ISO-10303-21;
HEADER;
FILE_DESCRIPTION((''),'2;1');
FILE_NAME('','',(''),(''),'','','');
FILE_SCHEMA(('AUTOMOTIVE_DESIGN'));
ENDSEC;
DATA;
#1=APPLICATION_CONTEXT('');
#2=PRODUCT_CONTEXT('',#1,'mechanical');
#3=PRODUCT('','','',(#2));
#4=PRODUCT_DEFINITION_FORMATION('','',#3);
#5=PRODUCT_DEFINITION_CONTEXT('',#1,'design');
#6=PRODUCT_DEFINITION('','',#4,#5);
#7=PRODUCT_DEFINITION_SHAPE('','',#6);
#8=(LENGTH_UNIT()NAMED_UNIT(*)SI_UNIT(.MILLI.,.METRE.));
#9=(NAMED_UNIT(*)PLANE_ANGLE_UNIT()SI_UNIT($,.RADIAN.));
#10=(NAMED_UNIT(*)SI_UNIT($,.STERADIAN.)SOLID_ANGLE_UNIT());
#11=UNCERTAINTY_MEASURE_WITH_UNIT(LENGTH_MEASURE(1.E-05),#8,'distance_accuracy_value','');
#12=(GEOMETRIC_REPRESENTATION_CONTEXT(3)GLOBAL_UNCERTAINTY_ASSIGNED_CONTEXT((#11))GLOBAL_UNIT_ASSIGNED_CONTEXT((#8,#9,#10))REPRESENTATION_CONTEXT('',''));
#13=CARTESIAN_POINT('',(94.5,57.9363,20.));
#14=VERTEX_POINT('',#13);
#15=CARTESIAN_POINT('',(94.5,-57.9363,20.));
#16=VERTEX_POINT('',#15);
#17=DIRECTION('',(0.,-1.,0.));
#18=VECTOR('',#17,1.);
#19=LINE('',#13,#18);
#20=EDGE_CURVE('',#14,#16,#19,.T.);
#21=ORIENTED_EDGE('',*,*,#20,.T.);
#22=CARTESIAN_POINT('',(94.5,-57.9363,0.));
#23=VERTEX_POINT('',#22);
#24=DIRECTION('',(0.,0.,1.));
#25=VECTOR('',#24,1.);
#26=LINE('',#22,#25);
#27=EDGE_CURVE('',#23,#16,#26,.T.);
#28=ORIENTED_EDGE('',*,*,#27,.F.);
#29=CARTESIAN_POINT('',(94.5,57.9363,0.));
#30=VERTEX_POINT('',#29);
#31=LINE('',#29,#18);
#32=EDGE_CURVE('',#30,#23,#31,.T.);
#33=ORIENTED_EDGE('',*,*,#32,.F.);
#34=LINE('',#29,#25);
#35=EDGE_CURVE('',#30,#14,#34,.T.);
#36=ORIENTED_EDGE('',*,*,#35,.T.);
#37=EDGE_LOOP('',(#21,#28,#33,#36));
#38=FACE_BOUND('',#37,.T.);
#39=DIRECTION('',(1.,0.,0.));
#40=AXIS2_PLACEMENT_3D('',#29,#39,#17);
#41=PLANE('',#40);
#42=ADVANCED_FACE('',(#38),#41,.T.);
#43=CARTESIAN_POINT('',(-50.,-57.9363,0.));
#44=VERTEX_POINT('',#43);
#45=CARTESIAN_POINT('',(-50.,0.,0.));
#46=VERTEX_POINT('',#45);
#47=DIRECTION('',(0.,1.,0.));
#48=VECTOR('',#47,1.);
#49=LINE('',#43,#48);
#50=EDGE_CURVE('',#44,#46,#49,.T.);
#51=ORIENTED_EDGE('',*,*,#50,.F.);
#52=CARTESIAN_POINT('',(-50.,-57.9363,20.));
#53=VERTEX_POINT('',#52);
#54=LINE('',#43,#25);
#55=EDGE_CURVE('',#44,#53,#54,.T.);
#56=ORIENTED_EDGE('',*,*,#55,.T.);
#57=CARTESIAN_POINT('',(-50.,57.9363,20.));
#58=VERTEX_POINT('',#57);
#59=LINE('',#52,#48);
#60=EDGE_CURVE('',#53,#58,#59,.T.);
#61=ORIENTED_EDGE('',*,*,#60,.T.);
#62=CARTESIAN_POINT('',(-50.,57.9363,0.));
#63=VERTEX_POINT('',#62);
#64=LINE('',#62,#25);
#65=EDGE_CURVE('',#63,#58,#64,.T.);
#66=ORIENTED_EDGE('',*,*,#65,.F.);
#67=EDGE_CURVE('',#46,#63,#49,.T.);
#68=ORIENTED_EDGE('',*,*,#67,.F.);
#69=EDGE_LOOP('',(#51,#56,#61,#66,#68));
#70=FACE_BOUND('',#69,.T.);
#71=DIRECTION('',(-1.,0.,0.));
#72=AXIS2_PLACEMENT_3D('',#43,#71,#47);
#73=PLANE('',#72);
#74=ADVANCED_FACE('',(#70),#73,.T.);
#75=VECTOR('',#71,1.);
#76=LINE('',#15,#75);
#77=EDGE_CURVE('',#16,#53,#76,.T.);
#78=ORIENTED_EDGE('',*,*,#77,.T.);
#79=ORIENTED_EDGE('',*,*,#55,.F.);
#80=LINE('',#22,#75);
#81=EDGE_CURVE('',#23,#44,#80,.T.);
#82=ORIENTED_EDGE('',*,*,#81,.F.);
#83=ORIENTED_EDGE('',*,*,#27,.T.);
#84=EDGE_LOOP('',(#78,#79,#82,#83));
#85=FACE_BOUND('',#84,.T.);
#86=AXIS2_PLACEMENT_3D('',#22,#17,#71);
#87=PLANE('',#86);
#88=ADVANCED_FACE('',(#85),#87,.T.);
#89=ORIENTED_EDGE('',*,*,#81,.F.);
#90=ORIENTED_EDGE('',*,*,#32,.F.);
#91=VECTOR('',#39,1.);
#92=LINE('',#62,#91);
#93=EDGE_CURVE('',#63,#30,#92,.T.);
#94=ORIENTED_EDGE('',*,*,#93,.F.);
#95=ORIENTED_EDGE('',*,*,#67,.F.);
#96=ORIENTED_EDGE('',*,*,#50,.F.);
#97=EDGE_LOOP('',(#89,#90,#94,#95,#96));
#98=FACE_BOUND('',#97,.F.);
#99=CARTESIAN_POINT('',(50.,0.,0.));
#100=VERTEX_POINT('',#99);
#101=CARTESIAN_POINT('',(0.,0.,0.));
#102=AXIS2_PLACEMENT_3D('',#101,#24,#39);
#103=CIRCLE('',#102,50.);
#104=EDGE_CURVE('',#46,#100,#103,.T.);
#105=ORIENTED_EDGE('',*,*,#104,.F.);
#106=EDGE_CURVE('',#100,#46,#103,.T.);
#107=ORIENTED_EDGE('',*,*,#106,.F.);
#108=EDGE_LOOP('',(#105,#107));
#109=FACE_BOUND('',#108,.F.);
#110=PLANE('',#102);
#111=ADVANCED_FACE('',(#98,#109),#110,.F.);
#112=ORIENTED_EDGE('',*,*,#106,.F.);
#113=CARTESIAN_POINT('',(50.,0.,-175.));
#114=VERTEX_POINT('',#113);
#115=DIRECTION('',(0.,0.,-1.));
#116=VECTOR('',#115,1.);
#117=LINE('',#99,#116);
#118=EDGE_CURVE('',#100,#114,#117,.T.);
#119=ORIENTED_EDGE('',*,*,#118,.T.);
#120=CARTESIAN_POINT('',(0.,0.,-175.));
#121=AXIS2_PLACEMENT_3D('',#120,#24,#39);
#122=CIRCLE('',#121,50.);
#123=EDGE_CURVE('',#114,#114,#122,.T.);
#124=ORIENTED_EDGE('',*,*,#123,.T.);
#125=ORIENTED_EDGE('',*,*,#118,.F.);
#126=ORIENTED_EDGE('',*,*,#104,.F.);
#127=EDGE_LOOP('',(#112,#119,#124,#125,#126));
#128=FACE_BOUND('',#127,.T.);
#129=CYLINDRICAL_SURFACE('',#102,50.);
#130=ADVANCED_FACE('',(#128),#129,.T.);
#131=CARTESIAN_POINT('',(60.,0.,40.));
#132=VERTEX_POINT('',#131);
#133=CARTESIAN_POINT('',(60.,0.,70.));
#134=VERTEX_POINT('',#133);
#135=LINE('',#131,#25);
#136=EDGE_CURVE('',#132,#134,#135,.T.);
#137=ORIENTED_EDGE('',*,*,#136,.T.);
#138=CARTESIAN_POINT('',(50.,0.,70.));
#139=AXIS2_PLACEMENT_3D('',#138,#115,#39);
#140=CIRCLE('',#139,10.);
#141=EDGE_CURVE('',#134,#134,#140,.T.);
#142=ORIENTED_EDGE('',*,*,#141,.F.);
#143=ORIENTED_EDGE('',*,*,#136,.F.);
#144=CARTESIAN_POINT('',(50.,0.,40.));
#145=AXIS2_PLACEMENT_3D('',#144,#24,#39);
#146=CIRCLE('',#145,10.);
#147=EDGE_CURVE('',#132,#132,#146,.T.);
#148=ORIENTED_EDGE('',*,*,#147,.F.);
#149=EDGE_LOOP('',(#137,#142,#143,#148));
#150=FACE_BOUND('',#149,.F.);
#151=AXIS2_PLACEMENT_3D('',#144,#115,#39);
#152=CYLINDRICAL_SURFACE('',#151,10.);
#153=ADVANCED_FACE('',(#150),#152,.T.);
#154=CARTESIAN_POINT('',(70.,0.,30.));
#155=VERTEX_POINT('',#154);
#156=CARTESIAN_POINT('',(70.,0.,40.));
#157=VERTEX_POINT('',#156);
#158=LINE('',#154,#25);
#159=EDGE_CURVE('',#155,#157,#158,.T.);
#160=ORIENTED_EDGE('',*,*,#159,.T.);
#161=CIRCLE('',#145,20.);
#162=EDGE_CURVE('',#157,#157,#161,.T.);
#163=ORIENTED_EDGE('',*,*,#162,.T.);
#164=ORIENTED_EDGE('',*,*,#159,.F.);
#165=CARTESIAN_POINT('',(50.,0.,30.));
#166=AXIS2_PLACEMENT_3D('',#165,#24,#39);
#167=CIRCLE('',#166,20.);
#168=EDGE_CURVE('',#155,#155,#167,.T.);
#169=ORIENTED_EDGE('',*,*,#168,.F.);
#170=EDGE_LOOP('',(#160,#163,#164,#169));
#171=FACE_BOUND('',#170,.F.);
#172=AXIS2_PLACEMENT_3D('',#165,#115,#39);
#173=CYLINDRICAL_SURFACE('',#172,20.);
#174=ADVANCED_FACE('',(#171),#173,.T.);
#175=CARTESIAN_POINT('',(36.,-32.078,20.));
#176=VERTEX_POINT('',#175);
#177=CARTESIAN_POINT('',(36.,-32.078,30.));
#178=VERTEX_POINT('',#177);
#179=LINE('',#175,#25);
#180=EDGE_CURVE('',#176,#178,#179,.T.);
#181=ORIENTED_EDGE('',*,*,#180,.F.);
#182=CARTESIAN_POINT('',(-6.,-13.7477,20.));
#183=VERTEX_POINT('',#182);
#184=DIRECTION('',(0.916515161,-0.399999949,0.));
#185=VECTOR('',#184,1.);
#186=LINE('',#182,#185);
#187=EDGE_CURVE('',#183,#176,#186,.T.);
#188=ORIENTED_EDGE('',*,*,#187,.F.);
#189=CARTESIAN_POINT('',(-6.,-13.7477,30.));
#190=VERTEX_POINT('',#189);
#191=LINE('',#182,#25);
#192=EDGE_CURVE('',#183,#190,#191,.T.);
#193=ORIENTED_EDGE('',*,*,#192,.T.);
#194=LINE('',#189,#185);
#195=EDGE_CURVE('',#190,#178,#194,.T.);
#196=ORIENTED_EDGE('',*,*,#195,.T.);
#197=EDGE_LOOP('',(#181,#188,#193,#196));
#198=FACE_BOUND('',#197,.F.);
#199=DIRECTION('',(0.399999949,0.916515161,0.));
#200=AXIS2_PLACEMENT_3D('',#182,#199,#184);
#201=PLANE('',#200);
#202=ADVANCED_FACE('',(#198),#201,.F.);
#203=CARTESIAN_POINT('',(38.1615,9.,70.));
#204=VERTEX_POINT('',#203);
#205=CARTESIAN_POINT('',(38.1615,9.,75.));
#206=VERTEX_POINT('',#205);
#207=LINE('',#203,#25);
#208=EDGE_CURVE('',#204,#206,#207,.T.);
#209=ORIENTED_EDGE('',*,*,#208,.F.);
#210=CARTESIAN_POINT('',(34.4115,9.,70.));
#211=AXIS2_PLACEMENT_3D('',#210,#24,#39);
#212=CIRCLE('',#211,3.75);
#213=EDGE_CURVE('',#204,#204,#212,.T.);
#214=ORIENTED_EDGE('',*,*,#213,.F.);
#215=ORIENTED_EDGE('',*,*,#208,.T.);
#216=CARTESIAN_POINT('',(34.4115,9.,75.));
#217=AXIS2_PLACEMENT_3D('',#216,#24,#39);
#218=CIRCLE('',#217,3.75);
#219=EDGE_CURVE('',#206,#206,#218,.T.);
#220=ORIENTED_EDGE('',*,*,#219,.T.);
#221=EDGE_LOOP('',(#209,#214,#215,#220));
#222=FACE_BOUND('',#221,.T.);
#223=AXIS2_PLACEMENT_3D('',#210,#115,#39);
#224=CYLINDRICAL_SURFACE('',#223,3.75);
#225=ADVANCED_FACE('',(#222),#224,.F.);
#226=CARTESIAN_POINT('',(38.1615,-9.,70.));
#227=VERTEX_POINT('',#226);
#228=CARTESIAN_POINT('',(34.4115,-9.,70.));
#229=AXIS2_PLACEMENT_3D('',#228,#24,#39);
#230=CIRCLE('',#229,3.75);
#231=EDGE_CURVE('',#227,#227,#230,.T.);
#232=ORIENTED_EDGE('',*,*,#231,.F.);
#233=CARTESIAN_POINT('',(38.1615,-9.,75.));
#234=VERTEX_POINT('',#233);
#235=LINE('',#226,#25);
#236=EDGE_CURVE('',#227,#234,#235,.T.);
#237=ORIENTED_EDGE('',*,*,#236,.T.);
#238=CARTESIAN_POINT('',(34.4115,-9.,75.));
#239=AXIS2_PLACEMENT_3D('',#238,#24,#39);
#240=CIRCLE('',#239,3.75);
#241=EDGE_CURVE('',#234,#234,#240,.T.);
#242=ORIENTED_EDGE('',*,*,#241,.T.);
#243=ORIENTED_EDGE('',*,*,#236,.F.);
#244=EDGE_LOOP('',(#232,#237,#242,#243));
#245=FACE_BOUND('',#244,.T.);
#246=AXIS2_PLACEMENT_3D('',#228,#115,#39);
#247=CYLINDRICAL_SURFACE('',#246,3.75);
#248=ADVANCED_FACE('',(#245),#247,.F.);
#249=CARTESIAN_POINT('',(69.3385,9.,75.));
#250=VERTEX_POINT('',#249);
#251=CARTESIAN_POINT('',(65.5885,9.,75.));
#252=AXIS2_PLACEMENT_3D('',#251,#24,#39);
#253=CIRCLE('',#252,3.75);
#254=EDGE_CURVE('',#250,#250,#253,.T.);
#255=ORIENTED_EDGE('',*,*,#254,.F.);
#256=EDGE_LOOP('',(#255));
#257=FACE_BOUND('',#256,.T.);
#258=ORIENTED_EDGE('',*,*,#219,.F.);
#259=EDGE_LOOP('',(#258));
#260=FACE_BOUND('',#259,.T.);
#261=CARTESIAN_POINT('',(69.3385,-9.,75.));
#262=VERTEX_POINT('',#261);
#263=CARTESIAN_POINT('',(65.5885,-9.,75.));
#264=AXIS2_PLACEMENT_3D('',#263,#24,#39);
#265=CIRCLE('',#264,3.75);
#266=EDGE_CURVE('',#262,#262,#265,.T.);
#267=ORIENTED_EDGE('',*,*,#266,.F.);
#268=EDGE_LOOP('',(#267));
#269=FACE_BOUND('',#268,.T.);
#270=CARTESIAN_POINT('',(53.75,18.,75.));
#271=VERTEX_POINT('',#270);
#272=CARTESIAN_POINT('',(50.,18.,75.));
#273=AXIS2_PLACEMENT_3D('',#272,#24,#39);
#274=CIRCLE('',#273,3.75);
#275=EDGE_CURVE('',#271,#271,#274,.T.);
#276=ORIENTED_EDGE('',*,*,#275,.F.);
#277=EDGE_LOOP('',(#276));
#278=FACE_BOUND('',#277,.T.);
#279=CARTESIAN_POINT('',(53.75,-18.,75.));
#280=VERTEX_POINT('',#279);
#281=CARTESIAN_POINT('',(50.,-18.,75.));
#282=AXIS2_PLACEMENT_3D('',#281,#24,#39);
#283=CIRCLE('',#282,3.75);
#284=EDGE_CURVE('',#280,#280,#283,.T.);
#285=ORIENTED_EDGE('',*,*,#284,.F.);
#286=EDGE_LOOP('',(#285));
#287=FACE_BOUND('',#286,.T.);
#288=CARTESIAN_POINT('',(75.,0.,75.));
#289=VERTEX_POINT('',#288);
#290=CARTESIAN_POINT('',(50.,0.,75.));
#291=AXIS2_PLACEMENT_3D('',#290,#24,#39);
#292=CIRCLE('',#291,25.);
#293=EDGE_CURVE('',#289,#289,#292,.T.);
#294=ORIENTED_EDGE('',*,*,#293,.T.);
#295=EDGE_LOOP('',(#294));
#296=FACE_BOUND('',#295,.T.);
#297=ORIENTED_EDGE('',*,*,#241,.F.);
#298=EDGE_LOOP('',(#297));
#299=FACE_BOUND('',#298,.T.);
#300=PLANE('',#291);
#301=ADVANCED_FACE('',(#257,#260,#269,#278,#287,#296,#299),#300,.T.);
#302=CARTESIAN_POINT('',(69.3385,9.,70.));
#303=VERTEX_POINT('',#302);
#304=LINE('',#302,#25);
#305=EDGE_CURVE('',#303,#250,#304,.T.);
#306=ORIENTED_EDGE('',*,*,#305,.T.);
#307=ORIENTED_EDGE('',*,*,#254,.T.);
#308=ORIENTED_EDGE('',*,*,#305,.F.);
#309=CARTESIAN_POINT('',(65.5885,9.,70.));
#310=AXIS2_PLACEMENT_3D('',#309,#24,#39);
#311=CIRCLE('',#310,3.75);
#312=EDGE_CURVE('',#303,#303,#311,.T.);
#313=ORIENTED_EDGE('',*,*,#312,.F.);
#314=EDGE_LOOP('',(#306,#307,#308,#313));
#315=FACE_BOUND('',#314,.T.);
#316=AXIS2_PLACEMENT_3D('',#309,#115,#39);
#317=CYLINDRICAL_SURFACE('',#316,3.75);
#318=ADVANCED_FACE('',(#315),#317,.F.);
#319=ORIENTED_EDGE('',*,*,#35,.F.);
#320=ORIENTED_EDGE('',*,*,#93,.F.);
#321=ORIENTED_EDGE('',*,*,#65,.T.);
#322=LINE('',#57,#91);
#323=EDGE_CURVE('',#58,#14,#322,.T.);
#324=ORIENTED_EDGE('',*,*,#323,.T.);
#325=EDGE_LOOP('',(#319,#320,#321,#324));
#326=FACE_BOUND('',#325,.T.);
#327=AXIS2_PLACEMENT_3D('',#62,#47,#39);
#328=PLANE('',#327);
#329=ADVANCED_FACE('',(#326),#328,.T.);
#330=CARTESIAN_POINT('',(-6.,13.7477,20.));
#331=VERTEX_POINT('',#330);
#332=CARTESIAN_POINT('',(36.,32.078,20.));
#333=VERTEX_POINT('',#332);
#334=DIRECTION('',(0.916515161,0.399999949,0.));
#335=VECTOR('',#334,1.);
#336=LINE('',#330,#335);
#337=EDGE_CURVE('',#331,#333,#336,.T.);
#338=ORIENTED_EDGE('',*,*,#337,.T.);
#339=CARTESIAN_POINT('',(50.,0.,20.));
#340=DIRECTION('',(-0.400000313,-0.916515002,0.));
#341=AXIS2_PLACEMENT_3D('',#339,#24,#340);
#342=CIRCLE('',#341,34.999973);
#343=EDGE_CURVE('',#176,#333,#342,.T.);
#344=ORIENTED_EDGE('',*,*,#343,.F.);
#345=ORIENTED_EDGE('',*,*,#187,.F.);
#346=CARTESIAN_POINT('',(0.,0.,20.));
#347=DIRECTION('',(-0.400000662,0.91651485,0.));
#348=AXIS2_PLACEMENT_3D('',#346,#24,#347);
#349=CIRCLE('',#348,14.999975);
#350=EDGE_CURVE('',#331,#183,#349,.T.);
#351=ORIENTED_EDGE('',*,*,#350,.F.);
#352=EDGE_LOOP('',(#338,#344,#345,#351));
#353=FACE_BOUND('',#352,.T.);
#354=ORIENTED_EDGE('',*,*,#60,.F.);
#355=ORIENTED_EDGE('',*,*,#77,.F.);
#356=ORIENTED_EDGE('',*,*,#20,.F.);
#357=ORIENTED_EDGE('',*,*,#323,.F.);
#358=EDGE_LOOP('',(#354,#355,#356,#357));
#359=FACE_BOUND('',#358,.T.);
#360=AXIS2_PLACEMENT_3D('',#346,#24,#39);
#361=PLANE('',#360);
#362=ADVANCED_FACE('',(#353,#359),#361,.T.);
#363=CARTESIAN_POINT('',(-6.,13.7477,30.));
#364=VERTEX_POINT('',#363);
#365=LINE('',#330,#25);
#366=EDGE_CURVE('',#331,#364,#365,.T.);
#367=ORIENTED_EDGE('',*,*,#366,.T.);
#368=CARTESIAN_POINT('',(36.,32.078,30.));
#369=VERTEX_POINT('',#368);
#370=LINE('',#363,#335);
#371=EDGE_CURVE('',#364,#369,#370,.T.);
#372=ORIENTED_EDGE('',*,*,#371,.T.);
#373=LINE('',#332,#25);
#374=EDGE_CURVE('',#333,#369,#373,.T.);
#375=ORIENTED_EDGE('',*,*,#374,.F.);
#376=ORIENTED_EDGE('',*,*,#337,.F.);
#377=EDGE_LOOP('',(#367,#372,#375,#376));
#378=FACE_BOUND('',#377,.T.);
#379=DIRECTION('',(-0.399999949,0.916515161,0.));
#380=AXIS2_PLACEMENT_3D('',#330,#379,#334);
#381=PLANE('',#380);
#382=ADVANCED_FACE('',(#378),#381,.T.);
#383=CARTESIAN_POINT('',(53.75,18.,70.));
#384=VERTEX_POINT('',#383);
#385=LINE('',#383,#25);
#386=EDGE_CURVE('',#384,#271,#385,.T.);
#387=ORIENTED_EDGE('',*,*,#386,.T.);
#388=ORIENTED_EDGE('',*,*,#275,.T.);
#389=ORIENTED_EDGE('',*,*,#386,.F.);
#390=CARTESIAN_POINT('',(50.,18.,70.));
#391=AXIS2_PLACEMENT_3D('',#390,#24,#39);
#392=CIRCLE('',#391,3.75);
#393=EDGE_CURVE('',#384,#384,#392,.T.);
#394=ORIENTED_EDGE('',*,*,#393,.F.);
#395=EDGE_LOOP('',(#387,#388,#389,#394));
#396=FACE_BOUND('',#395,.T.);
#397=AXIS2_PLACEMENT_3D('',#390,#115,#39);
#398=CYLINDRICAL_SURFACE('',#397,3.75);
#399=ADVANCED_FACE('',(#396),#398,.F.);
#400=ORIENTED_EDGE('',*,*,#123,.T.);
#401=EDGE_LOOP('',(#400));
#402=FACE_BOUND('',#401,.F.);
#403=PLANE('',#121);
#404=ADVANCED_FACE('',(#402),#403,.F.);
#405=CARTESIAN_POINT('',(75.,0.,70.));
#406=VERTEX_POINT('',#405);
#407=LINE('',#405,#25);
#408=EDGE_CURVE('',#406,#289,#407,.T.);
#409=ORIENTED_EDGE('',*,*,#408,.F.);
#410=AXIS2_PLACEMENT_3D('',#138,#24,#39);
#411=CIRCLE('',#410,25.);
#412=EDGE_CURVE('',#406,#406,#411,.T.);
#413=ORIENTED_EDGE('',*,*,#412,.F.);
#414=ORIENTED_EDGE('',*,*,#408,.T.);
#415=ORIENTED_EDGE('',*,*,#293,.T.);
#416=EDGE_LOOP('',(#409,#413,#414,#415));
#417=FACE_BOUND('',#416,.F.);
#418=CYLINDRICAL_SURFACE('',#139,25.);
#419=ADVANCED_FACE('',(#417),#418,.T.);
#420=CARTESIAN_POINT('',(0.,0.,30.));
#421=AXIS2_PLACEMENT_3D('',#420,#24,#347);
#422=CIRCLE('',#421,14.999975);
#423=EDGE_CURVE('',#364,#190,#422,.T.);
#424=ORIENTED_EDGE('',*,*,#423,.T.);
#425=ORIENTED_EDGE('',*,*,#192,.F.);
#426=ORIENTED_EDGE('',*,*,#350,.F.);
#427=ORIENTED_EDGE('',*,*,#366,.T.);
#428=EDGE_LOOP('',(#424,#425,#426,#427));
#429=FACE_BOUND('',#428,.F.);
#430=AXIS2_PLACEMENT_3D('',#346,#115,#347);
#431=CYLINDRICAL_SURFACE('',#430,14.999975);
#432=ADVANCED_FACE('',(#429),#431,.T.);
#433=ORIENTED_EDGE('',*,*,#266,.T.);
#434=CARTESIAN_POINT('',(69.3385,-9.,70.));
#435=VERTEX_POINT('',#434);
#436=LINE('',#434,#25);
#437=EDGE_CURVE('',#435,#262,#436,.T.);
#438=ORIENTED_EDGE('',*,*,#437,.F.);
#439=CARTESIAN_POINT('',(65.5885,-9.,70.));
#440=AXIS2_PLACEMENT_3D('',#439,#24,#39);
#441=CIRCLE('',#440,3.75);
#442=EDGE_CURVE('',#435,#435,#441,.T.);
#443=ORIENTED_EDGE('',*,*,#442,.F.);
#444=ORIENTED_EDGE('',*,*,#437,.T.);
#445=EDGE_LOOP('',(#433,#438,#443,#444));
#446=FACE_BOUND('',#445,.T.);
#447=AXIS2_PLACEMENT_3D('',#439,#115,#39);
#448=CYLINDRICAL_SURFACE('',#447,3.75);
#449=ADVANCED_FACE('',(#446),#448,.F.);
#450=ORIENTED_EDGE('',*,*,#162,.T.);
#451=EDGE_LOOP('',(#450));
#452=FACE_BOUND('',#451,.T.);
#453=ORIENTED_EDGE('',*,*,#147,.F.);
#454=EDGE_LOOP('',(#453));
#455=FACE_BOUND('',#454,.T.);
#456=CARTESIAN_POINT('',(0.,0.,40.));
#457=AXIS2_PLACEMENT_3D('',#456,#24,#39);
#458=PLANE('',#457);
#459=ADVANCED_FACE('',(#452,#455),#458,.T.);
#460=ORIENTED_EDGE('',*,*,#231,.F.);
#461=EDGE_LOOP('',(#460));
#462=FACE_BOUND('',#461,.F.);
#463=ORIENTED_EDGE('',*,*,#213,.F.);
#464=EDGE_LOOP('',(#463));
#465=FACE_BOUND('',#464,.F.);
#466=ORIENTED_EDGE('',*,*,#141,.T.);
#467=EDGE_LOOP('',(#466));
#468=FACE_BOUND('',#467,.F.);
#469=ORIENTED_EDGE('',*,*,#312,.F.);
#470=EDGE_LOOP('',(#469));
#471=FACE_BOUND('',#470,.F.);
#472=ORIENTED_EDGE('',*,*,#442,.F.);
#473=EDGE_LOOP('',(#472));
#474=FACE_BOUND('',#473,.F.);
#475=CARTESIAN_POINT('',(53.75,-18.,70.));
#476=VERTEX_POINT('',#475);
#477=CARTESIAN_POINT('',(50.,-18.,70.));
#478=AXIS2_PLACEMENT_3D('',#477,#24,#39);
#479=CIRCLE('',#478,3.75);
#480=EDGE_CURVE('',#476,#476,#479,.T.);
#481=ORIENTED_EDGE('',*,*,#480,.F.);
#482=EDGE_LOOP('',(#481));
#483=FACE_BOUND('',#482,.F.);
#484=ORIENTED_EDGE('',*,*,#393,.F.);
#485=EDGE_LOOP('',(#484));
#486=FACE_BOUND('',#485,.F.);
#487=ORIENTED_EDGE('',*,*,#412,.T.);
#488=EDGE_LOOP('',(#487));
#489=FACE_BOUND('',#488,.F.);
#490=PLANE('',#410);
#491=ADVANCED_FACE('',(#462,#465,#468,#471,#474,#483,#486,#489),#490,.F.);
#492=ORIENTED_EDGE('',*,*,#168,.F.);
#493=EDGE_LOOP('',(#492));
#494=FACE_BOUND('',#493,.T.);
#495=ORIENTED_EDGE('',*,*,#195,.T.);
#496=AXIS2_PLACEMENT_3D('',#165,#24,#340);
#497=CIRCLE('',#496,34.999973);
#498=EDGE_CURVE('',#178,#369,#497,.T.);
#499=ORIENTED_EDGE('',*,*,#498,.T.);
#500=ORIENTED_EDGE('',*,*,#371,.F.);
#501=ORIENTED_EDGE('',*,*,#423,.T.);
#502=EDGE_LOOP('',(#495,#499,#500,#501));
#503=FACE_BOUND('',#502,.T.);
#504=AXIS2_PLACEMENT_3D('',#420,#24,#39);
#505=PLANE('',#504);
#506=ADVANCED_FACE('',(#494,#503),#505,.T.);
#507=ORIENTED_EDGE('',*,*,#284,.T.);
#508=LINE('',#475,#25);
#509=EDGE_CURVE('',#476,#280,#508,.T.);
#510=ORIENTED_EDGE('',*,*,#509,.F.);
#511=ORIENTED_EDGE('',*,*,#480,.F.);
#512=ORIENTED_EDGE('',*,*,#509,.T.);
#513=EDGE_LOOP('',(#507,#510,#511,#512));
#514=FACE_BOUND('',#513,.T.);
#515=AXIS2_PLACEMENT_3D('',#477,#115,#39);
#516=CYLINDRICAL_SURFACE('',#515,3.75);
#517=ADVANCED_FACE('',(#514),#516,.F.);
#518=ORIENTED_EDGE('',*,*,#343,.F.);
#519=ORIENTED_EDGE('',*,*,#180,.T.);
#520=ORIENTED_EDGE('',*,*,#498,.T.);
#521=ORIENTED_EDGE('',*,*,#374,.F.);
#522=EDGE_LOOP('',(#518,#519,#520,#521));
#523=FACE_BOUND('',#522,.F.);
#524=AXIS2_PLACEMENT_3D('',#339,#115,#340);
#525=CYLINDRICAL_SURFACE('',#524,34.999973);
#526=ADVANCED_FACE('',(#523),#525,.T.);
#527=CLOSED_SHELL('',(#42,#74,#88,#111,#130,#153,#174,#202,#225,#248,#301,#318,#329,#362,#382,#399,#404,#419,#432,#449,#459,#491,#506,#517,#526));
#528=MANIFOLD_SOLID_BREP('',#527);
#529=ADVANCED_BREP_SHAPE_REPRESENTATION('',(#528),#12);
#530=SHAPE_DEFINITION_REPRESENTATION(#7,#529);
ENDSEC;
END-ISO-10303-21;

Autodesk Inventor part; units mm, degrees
ref_plane "YZ Plane" through (0, 0, 0) normal (1, 0, 0) x (0, 1, 0)
ref_plane "XZ Plane" through (0, 0, 0) normal (0, 1, 0) x (-1, 0, 0)
ref_plane "XY Plane" through (0, 0, 0) normal (0, 0, 1) x (1, 0, 0)
sketch "Sketch1" plane through (0, 0, 0) normal (0, 0, 1) x (1, 0, 0)
  circle A0 centre (0, 0) radius 50
  dimension "d0" = 100
extrude "Extrusion1" add sketch "Sketch1" against normal blind 175
sketch "Sketch2" plane through (0, 0, 0) normal (0, 0, 1) x (1, 0, 0)
  line L0 (94.5, 57.9363) -> (94.5, -57.9363)
  line L1 (94.5, -57.9363) -> (-50, -57.9363)
  line L2 (-50, -57.9363) -> (-50, 57.9363)
  line L3 (-50, 57.9363) -> (94.5, 57.9363)
  circle A0 centre (0, 0) radius 50 projected
  point P0 (94.5, 0)
  dimension "d3" = 144.5
  dimension "d4" = 115.8726
extrude "Extrusion2" add sketch "Sketch2" along normal blind 20 contours A0 | L0 L1 L2 L3
sketch "Sketch3" plane through (0, 0, 20) normal (0, 0, 1) x (1, 0, 0)
  arc A0 (-6, 13.7477) -> (-6, -13.7477) centre (0, 0) ccw
  arc A1 (36, -32.078) -> (36, 32.078) centre (50, 0) ccw
  line L0 (-6, 13.7477) -> (36, 32.078)
  line L1 (-6, -13.7477) -> (36, -32.078)
  dimension "d8" = 30
  dimension "d9" = 70
extrude "Extrusion3" add sketch "Sketch3" along normal blind 10
sketch "Sketch4" plane through (0, 0, 30) normal (0, 0, 1) x (1, 0, 0)
  arc A0 (36, -32.078) -> (36, 32.078) centre (50, 0) ccw projected
  circle A1 centre (50, 0) radius 20
  point P0 (0, 0)
  dimension "d12" = 40
extrude "Extrusion4" add sketch "Sketch4" along normal blind 10
sketch "Sketch5" plane through (50, 0, 40) normal (0, 0, 1) x (1, 0, 0)
  circle A0 centre (-50, 0) radius 50 projected
  circle A1 centre (0, 0) radius 10
  point P0 (-100, 0)
  dimension "d15" = 20
extrude "Extrusion5" add sketch "Sketch5" along normal blind 30 contours A0 A1 | A0 A1 picked at (-3.2709, -1.921) picked at (2.9235, -2.6438)
sketch "Sketch6" plane through (50, 0, 70) normal (0, 0, 1) x (1, 0, 0)
  circle A0 centre (0, 0) radius 25
  circle A1 centre (0, 18) radius 3.75
  circle A2 centre (-15.5885, 9) radius 3.75
  circle A3 centre (-15.5885, -9) radius 3.75
  circle A4 centre (0, -18) radius 3.75
  circle A5 centre (15.5885, -9) radius 3.75
  circle A6 centre (15.5885, 9) radius 3.75
  point P0 (-50, 0)
  dimension "d18" = 50
  dimension "d19" = 7.5
  dimension "d20" = 18
  dimension "d23" = 360
extrude "Extrusion6" add sketch "Sketch6" along normal blind 5
properties part number "drivemotors"
